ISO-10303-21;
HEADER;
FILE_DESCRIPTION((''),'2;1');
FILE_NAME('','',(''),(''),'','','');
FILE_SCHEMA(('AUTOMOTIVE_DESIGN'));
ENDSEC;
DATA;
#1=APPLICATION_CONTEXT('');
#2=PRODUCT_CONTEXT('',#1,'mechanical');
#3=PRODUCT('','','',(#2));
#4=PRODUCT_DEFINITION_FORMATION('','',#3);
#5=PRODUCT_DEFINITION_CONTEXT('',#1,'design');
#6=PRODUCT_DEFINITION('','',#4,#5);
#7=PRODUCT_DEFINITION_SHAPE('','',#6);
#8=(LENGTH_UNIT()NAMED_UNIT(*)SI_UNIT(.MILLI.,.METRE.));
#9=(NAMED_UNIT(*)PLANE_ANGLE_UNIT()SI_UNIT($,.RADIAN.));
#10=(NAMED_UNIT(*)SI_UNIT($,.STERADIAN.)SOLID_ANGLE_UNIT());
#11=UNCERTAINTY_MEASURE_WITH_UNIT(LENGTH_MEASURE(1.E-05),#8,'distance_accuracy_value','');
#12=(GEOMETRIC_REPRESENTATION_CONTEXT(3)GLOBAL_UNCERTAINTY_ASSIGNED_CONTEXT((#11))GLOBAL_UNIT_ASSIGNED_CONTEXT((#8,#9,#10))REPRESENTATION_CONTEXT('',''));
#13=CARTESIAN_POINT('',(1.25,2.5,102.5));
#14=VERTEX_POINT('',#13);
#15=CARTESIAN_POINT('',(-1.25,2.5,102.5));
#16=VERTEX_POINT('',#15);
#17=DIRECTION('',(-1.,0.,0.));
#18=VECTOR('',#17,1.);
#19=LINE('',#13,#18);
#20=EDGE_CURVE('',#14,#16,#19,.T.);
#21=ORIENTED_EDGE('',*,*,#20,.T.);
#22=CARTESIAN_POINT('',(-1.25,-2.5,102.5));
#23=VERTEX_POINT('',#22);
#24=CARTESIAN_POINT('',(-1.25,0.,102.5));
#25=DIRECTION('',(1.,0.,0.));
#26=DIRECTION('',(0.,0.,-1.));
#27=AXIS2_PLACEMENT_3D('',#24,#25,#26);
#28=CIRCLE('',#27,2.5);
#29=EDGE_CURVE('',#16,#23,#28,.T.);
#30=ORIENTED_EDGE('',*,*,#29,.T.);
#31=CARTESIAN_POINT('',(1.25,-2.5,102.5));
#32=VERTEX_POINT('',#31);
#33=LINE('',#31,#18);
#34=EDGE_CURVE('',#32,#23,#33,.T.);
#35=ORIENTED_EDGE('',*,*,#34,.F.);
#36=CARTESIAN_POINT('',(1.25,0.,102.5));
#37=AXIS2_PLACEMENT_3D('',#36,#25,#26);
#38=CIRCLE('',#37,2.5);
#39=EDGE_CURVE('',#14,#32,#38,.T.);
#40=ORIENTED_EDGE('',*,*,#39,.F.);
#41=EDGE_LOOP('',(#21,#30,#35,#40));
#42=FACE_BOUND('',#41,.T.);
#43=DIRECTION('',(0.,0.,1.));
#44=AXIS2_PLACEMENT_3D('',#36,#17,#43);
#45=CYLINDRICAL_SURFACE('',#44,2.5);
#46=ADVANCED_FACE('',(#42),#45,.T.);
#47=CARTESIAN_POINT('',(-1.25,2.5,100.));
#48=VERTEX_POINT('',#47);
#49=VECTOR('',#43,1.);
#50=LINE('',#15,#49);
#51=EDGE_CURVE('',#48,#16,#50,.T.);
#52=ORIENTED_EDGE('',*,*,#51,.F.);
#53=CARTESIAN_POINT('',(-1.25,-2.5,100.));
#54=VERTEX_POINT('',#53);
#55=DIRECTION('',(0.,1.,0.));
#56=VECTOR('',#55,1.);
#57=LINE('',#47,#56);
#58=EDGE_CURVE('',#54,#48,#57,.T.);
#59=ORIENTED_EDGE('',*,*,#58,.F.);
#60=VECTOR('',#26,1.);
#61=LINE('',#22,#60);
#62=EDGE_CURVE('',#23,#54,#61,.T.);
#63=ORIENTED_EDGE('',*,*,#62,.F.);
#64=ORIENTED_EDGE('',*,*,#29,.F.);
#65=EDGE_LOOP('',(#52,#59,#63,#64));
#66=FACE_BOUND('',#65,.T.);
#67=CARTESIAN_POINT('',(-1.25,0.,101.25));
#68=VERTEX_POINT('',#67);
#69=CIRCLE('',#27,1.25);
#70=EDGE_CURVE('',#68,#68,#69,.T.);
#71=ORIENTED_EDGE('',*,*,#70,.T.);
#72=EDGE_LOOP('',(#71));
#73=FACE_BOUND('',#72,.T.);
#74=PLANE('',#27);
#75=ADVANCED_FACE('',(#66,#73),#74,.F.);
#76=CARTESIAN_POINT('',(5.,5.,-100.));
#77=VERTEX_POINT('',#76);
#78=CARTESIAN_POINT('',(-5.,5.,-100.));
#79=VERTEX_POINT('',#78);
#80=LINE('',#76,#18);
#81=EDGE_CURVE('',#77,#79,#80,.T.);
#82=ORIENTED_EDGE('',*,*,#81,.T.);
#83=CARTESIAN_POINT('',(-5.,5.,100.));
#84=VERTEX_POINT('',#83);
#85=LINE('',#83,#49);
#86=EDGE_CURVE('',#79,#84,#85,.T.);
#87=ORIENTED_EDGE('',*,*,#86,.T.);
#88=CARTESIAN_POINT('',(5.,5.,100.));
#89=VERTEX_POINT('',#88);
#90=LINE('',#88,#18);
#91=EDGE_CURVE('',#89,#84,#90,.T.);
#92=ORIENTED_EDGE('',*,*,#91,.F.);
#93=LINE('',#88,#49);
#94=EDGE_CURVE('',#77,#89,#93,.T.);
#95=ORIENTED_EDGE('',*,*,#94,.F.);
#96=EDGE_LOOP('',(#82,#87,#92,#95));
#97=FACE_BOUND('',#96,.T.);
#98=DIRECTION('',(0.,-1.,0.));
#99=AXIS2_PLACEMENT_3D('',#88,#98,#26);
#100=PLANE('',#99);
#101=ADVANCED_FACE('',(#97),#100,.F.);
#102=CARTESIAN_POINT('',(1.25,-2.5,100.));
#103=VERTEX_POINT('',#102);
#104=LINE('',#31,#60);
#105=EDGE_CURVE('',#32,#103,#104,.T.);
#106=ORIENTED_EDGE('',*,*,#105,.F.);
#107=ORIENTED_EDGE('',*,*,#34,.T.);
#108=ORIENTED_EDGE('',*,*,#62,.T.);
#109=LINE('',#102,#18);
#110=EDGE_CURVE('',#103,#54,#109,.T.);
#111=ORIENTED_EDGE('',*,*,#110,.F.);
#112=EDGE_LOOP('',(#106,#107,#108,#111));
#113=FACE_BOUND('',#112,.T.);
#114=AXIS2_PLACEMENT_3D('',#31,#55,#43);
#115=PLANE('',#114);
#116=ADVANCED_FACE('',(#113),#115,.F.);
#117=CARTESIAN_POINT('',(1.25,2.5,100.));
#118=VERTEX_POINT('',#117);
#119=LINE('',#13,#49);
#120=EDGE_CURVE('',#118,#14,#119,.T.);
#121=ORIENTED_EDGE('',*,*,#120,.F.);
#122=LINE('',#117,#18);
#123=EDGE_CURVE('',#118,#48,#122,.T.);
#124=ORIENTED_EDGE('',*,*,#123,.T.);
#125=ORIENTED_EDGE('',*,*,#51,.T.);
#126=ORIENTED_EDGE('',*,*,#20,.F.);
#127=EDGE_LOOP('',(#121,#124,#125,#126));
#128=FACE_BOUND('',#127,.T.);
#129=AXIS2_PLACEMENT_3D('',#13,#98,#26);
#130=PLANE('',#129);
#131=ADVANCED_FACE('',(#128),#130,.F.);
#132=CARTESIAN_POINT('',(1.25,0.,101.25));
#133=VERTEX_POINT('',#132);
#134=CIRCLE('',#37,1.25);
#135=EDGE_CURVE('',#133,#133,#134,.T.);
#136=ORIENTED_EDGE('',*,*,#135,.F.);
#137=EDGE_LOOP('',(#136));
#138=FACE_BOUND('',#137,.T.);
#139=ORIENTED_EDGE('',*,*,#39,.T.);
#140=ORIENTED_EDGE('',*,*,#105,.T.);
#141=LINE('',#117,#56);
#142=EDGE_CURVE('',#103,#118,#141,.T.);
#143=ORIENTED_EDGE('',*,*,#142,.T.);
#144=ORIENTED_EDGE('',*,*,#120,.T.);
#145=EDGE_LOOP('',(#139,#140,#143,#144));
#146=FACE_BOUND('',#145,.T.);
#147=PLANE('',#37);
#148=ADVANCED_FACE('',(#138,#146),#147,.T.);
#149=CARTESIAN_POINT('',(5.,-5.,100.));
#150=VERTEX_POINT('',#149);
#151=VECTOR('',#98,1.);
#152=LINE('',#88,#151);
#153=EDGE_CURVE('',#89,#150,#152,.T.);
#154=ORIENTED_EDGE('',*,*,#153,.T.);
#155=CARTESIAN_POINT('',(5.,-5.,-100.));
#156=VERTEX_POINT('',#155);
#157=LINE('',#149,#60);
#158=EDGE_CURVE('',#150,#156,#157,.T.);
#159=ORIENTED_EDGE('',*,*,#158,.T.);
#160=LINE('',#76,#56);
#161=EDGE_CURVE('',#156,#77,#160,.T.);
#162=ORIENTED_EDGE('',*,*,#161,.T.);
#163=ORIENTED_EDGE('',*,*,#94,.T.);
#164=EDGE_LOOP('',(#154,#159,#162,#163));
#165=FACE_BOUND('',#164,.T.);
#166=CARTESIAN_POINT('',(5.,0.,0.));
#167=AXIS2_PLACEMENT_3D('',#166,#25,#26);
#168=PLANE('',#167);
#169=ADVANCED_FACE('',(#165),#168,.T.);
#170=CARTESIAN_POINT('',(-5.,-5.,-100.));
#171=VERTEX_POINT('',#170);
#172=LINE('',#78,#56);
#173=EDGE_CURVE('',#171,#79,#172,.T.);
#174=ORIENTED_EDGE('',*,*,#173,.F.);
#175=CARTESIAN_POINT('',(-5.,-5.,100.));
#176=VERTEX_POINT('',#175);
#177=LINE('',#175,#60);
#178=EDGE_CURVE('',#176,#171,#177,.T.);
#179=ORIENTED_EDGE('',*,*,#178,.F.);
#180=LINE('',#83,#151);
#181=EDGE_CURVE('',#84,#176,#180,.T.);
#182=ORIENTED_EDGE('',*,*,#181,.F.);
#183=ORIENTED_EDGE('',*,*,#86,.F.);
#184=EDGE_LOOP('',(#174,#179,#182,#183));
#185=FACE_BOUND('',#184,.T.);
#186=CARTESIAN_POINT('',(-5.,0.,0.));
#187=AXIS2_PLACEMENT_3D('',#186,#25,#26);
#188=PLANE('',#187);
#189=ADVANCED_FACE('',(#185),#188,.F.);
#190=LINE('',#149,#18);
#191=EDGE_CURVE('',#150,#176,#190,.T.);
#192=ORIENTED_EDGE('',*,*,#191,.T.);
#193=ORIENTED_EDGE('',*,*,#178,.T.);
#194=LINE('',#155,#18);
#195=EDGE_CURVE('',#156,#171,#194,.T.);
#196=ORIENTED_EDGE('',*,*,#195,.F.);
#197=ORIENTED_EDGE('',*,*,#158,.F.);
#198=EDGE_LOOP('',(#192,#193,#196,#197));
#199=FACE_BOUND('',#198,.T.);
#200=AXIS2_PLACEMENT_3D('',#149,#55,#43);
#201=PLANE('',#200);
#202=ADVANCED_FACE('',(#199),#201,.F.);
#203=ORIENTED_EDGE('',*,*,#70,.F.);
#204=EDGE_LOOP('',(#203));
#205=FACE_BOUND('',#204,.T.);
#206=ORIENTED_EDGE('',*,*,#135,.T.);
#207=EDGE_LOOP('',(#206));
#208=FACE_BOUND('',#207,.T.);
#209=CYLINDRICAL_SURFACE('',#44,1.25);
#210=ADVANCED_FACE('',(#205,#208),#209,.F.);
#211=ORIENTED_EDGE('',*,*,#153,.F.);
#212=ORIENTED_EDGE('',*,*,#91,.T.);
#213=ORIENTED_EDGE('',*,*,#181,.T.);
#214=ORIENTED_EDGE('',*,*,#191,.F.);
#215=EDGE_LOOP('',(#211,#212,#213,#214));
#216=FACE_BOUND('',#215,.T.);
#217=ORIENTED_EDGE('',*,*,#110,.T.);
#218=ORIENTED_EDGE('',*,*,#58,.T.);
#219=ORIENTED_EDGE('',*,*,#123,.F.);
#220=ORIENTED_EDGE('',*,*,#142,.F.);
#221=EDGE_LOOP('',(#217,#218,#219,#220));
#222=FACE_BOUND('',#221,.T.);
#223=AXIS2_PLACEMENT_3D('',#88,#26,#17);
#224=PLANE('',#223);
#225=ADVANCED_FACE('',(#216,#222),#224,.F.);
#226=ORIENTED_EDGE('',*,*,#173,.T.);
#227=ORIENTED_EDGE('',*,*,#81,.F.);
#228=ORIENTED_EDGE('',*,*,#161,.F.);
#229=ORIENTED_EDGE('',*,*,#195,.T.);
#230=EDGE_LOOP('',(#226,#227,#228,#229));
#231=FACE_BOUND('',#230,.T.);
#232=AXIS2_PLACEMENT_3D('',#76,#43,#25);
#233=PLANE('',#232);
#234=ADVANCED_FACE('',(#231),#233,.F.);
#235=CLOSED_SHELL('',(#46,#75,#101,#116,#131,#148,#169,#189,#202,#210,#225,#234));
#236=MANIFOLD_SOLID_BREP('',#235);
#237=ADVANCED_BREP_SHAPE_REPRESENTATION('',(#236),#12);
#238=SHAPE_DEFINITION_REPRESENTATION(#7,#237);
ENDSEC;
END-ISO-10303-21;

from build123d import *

# Parameters (mm, degrees)
SKETCH_2_W      = 200
SKETCH_2_H      = 10
EXTRUDE_1_DEPTH = 5
SKETCH_3_R      = 1.25
EXTRUDE_2_DEPTH = 1.25


with BuildPart() as part:
    # 스케치2 → 보스-돌출1 (new, symmetric)
    with BuildSketch(Plane(origin=(0, 0, 0), x_dir=(0, 0, -1), z_dir=(1, 0, 0))):
        Rectangle(SKETCH_2_W, SKETCH_2_H)
    extrude(amount=EXTRUDE_1_DEPTH, both=True)

    # 스케치3 → 보스-돌출2 (add, symmetric)
    with BuildSketch(Plane(origin=(0, 0, 0), x_dir=(0, 0, -1), z_dir=(1, 0, 0))):
        with BuildLine():
            Line((-102.5, 2.5), (-100, 2.5))
            Line((-100, 2.5), (-100, -2.5))
            Line((-100, -2.5), (-102.5, -2.5))
            ThreePointArc((-102.5, -2.5), (-105, 0), (-102.5, 2.5))
        make_face()
        with Locations((-102.5, 0)):
            Circle(SKETCH_3_R, mode=Mode.SUBTRACT)
    extrude(amount=EXTRUDE_2_DEPTH, both=True)


solid = part.part
